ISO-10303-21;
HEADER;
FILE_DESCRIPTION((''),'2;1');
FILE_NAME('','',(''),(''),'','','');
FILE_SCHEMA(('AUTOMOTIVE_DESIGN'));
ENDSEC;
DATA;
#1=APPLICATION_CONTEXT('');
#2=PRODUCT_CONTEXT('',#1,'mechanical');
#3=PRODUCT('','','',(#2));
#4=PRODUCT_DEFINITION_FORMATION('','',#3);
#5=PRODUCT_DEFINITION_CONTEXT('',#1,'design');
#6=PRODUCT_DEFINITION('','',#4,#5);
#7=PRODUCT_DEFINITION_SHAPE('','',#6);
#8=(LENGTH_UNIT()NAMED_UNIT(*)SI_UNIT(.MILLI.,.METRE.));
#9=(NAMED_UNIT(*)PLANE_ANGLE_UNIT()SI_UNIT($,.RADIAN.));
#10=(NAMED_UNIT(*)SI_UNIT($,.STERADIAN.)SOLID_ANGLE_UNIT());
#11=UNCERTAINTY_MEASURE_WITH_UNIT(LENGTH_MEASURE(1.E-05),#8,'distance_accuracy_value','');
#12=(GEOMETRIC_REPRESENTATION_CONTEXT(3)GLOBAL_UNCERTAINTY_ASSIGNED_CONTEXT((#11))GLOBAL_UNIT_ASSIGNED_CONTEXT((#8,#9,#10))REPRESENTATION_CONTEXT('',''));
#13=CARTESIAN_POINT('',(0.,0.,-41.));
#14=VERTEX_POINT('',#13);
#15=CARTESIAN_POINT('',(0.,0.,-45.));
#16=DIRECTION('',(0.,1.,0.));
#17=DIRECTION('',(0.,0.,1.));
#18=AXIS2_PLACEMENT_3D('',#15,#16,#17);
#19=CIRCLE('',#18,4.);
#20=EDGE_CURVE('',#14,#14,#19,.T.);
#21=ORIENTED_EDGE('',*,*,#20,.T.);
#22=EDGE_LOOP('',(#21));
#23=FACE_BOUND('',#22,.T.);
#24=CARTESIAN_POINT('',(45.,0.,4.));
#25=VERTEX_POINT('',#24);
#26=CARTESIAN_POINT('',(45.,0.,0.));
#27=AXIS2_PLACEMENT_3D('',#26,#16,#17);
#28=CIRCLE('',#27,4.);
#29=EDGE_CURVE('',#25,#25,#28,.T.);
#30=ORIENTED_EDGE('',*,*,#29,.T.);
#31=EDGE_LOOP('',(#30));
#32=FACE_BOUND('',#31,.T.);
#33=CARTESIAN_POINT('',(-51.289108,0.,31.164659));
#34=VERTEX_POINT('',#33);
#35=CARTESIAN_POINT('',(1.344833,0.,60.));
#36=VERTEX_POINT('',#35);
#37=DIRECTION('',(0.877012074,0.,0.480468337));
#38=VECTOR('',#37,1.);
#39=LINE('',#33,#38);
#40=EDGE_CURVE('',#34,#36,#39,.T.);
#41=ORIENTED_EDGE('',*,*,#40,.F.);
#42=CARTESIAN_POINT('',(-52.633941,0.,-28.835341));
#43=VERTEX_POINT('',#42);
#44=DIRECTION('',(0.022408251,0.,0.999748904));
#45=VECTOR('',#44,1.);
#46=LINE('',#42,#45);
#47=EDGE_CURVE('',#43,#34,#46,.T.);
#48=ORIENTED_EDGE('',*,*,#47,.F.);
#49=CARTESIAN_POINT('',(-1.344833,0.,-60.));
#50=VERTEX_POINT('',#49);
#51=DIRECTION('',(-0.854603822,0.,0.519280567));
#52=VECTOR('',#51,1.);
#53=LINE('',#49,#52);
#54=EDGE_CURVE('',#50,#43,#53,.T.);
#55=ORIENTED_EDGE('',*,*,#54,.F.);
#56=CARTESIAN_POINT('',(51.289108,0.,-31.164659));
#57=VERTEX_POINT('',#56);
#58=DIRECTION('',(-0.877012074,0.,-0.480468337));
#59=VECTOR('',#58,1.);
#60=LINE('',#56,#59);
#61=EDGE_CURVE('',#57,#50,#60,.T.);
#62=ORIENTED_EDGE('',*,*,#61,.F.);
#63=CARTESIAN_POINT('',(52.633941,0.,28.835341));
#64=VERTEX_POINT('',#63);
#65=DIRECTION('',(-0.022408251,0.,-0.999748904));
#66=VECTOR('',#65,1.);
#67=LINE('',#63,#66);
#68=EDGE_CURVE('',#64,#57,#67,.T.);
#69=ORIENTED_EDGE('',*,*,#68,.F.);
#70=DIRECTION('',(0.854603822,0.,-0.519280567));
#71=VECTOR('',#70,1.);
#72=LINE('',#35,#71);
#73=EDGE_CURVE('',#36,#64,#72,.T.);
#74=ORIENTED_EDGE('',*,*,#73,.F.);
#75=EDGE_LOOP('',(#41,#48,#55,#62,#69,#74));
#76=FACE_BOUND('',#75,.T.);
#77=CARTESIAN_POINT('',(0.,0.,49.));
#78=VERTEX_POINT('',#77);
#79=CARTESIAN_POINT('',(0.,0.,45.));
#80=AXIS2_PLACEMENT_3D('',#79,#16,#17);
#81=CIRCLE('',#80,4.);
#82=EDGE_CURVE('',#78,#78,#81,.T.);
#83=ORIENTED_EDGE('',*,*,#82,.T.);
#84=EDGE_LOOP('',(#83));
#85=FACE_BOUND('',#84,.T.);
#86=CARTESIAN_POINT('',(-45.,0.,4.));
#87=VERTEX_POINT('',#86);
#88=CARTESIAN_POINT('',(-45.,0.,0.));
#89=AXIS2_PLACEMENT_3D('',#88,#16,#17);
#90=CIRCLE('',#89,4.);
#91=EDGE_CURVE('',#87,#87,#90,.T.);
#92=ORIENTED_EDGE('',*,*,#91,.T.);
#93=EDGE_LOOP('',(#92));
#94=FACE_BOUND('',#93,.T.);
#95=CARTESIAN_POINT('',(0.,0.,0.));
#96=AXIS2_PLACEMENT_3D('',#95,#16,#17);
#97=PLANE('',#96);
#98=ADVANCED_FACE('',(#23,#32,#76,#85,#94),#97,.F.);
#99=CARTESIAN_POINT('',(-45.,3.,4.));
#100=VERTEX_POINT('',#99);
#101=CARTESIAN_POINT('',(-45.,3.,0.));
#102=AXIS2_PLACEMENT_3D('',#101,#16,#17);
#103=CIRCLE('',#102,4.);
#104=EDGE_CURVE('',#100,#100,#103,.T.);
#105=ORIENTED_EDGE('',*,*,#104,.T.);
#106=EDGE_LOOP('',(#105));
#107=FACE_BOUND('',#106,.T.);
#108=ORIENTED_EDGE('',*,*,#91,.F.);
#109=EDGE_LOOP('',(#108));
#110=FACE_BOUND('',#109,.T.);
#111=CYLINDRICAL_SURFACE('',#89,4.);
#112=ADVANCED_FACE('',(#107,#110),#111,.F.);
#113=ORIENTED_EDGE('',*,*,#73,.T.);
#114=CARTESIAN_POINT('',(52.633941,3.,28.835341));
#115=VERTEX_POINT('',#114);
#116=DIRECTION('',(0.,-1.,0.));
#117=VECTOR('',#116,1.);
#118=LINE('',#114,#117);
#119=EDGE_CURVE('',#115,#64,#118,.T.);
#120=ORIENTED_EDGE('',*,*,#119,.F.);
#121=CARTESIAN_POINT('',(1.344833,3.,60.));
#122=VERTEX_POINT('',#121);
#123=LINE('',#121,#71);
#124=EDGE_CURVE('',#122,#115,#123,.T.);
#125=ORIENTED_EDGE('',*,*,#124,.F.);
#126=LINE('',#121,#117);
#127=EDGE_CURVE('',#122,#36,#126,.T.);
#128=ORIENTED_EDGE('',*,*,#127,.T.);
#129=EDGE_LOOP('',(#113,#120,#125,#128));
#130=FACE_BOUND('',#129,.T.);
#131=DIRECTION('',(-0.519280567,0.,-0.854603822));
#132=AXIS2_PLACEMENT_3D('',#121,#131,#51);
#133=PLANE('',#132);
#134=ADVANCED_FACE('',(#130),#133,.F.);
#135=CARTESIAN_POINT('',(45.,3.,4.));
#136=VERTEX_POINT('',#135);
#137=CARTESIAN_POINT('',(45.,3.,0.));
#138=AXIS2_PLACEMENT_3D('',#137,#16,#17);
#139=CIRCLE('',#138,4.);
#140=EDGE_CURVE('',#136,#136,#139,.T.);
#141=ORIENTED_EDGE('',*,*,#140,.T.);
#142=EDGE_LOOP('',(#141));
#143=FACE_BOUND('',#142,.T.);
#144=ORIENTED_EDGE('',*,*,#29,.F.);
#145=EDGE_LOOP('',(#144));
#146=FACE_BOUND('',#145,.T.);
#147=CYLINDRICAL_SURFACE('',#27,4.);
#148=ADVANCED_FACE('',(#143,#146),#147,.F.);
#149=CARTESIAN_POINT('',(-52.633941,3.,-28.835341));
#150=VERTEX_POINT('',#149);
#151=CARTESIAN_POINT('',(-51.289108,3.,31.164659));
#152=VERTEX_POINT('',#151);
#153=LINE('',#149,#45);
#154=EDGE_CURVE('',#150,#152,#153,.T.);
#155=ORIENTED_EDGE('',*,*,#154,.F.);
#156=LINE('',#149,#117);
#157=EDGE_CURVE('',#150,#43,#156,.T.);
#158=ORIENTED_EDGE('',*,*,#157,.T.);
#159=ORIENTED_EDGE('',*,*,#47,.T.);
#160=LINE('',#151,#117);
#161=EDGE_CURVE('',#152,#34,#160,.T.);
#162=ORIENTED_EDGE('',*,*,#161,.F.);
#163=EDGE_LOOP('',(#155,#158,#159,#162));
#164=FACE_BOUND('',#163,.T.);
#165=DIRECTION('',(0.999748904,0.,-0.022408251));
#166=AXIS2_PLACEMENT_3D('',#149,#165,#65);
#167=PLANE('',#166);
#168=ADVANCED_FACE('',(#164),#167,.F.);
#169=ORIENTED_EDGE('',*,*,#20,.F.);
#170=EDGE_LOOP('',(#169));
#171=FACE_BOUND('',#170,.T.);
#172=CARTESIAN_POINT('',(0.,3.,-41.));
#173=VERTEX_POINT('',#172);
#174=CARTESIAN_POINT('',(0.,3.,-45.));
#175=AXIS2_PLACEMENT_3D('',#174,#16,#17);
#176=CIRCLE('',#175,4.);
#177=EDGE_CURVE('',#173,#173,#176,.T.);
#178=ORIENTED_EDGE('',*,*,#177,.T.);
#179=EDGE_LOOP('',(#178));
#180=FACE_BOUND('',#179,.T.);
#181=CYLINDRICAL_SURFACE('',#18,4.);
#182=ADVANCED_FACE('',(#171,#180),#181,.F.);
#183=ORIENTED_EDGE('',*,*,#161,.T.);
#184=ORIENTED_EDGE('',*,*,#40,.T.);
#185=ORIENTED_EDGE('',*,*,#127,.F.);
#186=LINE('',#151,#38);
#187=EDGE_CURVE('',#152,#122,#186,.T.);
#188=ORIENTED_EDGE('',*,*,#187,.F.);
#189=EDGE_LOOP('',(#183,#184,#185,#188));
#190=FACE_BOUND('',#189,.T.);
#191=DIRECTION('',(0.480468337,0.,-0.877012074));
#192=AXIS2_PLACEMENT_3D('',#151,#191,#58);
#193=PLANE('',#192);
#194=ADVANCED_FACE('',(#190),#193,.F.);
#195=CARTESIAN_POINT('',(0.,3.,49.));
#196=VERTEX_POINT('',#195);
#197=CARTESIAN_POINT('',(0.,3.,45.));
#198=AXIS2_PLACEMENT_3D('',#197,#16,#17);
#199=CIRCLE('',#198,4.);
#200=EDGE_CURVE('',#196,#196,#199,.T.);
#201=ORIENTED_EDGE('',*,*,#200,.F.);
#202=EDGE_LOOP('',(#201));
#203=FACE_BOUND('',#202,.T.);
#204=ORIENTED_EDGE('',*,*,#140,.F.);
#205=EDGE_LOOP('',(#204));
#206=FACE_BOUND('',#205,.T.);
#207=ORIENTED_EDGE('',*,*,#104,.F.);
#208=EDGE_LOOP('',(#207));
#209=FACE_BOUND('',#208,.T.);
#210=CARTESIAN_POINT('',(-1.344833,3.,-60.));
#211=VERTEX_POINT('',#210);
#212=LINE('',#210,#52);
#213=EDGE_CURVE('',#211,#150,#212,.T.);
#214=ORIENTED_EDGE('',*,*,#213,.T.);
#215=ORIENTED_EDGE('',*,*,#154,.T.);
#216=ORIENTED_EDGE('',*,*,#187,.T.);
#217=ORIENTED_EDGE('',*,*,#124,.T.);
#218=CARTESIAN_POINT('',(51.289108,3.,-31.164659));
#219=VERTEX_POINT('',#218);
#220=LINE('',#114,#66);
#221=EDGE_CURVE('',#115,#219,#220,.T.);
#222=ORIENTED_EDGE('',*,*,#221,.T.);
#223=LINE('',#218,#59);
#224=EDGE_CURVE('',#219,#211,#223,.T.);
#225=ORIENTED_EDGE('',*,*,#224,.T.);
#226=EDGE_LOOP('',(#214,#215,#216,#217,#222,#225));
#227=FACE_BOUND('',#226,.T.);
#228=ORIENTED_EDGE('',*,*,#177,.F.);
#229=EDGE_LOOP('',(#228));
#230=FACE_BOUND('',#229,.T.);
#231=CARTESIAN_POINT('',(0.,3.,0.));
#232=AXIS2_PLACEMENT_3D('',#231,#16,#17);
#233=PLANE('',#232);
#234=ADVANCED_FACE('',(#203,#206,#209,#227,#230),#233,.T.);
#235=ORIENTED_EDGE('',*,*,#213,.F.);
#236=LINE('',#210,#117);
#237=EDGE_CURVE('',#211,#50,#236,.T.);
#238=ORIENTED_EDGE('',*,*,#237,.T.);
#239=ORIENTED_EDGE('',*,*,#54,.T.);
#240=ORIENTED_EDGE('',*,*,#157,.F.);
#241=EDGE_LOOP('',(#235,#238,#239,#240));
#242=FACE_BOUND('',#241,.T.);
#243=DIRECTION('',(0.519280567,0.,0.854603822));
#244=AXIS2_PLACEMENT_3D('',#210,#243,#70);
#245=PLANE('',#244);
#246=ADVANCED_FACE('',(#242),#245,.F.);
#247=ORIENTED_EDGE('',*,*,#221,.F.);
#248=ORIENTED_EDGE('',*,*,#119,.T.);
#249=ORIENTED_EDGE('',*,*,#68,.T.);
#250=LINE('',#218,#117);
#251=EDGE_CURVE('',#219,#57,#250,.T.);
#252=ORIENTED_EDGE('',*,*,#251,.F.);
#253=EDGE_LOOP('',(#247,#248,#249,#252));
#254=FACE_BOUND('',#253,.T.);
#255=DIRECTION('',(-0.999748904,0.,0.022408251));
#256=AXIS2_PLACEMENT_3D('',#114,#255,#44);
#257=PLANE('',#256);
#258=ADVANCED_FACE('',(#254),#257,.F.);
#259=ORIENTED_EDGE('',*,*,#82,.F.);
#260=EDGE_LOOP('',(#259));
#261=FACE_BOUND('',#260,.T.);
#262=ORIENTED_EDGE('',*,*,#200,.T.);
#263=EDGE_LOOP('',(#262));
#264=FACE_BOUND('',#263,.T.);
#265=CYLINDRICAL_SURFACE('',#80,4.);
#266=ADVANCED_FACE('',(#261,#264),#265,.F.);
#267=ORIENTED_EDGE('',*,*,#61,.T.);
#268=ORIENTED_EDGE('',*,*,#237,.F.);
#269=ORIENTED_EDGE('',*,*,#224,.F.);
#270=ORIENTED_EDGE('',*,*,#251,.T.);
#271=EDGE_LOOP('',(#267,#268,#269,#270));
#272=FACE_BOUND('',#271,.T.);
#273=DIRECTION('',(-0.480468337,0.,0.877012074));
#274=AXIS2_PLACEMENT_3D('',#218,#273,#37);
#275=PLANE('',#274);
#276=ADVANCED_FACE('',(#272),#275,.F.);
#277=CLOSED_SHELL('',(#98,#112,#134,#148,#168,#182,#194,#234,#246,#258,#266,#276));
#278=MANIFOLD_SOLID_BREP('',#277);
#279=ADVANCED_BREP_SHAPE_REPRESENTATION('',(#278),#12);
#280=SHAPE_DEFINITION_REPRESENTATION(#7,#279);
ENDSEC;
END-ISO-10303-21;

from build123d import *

# Parameters (mm, degrees)
BOSS_EXTRUDE1_DEPTH = 3
SKETCH3_R           = 4
CUT_EXTRUDE1_DEPTH  = 80.870718688


with BuildPart() as part:
    # Sketch2 → Boss-Extrude1 (new body)
    with BuildSketch(Plane(origin=(0, 0, 0), x_dir=(1, 0, 0), z_dir=(0, 1, 0))):
        Polygon((52.633940606, -28.835340667), (51.289107848, 31.164659333), (-1.344832759, 60), (-52.633940606, 28.835340667), (-51.289107848, -31.164659333), (1.344832759, -60), align=None)
    extrude(amount=BOSS_EXTRUDE1_DEPTH)

    # Sketch3 → Cut-Extrude1 (cut, through all)
    with BuildSketch(Plane(origin=(0, 3, 0), x_dir=(1, 0, 0), z_dir=(0, 1, 0))):
        with Locations(Location((-45, 0, 0), (0, 0, 270))):
            Circle(SKETCH3_R)
        with Locations(Location((0, 45, 0), (0, 0, 270))):
            Circle(SKETCH3_R)
        with Locations(Location((45, 0, 0), (0, 0, 270))):
            Circle(SKETCH3_R)
        with Locations(Location((0, -45, 0), (0, 0, 270))):
            Circle(SKETCH3_R)
    extrude(amount=-CUT_EXTRUDE1_DEPTH, mode=Mode.SUBTRACT)


solid = part.part
